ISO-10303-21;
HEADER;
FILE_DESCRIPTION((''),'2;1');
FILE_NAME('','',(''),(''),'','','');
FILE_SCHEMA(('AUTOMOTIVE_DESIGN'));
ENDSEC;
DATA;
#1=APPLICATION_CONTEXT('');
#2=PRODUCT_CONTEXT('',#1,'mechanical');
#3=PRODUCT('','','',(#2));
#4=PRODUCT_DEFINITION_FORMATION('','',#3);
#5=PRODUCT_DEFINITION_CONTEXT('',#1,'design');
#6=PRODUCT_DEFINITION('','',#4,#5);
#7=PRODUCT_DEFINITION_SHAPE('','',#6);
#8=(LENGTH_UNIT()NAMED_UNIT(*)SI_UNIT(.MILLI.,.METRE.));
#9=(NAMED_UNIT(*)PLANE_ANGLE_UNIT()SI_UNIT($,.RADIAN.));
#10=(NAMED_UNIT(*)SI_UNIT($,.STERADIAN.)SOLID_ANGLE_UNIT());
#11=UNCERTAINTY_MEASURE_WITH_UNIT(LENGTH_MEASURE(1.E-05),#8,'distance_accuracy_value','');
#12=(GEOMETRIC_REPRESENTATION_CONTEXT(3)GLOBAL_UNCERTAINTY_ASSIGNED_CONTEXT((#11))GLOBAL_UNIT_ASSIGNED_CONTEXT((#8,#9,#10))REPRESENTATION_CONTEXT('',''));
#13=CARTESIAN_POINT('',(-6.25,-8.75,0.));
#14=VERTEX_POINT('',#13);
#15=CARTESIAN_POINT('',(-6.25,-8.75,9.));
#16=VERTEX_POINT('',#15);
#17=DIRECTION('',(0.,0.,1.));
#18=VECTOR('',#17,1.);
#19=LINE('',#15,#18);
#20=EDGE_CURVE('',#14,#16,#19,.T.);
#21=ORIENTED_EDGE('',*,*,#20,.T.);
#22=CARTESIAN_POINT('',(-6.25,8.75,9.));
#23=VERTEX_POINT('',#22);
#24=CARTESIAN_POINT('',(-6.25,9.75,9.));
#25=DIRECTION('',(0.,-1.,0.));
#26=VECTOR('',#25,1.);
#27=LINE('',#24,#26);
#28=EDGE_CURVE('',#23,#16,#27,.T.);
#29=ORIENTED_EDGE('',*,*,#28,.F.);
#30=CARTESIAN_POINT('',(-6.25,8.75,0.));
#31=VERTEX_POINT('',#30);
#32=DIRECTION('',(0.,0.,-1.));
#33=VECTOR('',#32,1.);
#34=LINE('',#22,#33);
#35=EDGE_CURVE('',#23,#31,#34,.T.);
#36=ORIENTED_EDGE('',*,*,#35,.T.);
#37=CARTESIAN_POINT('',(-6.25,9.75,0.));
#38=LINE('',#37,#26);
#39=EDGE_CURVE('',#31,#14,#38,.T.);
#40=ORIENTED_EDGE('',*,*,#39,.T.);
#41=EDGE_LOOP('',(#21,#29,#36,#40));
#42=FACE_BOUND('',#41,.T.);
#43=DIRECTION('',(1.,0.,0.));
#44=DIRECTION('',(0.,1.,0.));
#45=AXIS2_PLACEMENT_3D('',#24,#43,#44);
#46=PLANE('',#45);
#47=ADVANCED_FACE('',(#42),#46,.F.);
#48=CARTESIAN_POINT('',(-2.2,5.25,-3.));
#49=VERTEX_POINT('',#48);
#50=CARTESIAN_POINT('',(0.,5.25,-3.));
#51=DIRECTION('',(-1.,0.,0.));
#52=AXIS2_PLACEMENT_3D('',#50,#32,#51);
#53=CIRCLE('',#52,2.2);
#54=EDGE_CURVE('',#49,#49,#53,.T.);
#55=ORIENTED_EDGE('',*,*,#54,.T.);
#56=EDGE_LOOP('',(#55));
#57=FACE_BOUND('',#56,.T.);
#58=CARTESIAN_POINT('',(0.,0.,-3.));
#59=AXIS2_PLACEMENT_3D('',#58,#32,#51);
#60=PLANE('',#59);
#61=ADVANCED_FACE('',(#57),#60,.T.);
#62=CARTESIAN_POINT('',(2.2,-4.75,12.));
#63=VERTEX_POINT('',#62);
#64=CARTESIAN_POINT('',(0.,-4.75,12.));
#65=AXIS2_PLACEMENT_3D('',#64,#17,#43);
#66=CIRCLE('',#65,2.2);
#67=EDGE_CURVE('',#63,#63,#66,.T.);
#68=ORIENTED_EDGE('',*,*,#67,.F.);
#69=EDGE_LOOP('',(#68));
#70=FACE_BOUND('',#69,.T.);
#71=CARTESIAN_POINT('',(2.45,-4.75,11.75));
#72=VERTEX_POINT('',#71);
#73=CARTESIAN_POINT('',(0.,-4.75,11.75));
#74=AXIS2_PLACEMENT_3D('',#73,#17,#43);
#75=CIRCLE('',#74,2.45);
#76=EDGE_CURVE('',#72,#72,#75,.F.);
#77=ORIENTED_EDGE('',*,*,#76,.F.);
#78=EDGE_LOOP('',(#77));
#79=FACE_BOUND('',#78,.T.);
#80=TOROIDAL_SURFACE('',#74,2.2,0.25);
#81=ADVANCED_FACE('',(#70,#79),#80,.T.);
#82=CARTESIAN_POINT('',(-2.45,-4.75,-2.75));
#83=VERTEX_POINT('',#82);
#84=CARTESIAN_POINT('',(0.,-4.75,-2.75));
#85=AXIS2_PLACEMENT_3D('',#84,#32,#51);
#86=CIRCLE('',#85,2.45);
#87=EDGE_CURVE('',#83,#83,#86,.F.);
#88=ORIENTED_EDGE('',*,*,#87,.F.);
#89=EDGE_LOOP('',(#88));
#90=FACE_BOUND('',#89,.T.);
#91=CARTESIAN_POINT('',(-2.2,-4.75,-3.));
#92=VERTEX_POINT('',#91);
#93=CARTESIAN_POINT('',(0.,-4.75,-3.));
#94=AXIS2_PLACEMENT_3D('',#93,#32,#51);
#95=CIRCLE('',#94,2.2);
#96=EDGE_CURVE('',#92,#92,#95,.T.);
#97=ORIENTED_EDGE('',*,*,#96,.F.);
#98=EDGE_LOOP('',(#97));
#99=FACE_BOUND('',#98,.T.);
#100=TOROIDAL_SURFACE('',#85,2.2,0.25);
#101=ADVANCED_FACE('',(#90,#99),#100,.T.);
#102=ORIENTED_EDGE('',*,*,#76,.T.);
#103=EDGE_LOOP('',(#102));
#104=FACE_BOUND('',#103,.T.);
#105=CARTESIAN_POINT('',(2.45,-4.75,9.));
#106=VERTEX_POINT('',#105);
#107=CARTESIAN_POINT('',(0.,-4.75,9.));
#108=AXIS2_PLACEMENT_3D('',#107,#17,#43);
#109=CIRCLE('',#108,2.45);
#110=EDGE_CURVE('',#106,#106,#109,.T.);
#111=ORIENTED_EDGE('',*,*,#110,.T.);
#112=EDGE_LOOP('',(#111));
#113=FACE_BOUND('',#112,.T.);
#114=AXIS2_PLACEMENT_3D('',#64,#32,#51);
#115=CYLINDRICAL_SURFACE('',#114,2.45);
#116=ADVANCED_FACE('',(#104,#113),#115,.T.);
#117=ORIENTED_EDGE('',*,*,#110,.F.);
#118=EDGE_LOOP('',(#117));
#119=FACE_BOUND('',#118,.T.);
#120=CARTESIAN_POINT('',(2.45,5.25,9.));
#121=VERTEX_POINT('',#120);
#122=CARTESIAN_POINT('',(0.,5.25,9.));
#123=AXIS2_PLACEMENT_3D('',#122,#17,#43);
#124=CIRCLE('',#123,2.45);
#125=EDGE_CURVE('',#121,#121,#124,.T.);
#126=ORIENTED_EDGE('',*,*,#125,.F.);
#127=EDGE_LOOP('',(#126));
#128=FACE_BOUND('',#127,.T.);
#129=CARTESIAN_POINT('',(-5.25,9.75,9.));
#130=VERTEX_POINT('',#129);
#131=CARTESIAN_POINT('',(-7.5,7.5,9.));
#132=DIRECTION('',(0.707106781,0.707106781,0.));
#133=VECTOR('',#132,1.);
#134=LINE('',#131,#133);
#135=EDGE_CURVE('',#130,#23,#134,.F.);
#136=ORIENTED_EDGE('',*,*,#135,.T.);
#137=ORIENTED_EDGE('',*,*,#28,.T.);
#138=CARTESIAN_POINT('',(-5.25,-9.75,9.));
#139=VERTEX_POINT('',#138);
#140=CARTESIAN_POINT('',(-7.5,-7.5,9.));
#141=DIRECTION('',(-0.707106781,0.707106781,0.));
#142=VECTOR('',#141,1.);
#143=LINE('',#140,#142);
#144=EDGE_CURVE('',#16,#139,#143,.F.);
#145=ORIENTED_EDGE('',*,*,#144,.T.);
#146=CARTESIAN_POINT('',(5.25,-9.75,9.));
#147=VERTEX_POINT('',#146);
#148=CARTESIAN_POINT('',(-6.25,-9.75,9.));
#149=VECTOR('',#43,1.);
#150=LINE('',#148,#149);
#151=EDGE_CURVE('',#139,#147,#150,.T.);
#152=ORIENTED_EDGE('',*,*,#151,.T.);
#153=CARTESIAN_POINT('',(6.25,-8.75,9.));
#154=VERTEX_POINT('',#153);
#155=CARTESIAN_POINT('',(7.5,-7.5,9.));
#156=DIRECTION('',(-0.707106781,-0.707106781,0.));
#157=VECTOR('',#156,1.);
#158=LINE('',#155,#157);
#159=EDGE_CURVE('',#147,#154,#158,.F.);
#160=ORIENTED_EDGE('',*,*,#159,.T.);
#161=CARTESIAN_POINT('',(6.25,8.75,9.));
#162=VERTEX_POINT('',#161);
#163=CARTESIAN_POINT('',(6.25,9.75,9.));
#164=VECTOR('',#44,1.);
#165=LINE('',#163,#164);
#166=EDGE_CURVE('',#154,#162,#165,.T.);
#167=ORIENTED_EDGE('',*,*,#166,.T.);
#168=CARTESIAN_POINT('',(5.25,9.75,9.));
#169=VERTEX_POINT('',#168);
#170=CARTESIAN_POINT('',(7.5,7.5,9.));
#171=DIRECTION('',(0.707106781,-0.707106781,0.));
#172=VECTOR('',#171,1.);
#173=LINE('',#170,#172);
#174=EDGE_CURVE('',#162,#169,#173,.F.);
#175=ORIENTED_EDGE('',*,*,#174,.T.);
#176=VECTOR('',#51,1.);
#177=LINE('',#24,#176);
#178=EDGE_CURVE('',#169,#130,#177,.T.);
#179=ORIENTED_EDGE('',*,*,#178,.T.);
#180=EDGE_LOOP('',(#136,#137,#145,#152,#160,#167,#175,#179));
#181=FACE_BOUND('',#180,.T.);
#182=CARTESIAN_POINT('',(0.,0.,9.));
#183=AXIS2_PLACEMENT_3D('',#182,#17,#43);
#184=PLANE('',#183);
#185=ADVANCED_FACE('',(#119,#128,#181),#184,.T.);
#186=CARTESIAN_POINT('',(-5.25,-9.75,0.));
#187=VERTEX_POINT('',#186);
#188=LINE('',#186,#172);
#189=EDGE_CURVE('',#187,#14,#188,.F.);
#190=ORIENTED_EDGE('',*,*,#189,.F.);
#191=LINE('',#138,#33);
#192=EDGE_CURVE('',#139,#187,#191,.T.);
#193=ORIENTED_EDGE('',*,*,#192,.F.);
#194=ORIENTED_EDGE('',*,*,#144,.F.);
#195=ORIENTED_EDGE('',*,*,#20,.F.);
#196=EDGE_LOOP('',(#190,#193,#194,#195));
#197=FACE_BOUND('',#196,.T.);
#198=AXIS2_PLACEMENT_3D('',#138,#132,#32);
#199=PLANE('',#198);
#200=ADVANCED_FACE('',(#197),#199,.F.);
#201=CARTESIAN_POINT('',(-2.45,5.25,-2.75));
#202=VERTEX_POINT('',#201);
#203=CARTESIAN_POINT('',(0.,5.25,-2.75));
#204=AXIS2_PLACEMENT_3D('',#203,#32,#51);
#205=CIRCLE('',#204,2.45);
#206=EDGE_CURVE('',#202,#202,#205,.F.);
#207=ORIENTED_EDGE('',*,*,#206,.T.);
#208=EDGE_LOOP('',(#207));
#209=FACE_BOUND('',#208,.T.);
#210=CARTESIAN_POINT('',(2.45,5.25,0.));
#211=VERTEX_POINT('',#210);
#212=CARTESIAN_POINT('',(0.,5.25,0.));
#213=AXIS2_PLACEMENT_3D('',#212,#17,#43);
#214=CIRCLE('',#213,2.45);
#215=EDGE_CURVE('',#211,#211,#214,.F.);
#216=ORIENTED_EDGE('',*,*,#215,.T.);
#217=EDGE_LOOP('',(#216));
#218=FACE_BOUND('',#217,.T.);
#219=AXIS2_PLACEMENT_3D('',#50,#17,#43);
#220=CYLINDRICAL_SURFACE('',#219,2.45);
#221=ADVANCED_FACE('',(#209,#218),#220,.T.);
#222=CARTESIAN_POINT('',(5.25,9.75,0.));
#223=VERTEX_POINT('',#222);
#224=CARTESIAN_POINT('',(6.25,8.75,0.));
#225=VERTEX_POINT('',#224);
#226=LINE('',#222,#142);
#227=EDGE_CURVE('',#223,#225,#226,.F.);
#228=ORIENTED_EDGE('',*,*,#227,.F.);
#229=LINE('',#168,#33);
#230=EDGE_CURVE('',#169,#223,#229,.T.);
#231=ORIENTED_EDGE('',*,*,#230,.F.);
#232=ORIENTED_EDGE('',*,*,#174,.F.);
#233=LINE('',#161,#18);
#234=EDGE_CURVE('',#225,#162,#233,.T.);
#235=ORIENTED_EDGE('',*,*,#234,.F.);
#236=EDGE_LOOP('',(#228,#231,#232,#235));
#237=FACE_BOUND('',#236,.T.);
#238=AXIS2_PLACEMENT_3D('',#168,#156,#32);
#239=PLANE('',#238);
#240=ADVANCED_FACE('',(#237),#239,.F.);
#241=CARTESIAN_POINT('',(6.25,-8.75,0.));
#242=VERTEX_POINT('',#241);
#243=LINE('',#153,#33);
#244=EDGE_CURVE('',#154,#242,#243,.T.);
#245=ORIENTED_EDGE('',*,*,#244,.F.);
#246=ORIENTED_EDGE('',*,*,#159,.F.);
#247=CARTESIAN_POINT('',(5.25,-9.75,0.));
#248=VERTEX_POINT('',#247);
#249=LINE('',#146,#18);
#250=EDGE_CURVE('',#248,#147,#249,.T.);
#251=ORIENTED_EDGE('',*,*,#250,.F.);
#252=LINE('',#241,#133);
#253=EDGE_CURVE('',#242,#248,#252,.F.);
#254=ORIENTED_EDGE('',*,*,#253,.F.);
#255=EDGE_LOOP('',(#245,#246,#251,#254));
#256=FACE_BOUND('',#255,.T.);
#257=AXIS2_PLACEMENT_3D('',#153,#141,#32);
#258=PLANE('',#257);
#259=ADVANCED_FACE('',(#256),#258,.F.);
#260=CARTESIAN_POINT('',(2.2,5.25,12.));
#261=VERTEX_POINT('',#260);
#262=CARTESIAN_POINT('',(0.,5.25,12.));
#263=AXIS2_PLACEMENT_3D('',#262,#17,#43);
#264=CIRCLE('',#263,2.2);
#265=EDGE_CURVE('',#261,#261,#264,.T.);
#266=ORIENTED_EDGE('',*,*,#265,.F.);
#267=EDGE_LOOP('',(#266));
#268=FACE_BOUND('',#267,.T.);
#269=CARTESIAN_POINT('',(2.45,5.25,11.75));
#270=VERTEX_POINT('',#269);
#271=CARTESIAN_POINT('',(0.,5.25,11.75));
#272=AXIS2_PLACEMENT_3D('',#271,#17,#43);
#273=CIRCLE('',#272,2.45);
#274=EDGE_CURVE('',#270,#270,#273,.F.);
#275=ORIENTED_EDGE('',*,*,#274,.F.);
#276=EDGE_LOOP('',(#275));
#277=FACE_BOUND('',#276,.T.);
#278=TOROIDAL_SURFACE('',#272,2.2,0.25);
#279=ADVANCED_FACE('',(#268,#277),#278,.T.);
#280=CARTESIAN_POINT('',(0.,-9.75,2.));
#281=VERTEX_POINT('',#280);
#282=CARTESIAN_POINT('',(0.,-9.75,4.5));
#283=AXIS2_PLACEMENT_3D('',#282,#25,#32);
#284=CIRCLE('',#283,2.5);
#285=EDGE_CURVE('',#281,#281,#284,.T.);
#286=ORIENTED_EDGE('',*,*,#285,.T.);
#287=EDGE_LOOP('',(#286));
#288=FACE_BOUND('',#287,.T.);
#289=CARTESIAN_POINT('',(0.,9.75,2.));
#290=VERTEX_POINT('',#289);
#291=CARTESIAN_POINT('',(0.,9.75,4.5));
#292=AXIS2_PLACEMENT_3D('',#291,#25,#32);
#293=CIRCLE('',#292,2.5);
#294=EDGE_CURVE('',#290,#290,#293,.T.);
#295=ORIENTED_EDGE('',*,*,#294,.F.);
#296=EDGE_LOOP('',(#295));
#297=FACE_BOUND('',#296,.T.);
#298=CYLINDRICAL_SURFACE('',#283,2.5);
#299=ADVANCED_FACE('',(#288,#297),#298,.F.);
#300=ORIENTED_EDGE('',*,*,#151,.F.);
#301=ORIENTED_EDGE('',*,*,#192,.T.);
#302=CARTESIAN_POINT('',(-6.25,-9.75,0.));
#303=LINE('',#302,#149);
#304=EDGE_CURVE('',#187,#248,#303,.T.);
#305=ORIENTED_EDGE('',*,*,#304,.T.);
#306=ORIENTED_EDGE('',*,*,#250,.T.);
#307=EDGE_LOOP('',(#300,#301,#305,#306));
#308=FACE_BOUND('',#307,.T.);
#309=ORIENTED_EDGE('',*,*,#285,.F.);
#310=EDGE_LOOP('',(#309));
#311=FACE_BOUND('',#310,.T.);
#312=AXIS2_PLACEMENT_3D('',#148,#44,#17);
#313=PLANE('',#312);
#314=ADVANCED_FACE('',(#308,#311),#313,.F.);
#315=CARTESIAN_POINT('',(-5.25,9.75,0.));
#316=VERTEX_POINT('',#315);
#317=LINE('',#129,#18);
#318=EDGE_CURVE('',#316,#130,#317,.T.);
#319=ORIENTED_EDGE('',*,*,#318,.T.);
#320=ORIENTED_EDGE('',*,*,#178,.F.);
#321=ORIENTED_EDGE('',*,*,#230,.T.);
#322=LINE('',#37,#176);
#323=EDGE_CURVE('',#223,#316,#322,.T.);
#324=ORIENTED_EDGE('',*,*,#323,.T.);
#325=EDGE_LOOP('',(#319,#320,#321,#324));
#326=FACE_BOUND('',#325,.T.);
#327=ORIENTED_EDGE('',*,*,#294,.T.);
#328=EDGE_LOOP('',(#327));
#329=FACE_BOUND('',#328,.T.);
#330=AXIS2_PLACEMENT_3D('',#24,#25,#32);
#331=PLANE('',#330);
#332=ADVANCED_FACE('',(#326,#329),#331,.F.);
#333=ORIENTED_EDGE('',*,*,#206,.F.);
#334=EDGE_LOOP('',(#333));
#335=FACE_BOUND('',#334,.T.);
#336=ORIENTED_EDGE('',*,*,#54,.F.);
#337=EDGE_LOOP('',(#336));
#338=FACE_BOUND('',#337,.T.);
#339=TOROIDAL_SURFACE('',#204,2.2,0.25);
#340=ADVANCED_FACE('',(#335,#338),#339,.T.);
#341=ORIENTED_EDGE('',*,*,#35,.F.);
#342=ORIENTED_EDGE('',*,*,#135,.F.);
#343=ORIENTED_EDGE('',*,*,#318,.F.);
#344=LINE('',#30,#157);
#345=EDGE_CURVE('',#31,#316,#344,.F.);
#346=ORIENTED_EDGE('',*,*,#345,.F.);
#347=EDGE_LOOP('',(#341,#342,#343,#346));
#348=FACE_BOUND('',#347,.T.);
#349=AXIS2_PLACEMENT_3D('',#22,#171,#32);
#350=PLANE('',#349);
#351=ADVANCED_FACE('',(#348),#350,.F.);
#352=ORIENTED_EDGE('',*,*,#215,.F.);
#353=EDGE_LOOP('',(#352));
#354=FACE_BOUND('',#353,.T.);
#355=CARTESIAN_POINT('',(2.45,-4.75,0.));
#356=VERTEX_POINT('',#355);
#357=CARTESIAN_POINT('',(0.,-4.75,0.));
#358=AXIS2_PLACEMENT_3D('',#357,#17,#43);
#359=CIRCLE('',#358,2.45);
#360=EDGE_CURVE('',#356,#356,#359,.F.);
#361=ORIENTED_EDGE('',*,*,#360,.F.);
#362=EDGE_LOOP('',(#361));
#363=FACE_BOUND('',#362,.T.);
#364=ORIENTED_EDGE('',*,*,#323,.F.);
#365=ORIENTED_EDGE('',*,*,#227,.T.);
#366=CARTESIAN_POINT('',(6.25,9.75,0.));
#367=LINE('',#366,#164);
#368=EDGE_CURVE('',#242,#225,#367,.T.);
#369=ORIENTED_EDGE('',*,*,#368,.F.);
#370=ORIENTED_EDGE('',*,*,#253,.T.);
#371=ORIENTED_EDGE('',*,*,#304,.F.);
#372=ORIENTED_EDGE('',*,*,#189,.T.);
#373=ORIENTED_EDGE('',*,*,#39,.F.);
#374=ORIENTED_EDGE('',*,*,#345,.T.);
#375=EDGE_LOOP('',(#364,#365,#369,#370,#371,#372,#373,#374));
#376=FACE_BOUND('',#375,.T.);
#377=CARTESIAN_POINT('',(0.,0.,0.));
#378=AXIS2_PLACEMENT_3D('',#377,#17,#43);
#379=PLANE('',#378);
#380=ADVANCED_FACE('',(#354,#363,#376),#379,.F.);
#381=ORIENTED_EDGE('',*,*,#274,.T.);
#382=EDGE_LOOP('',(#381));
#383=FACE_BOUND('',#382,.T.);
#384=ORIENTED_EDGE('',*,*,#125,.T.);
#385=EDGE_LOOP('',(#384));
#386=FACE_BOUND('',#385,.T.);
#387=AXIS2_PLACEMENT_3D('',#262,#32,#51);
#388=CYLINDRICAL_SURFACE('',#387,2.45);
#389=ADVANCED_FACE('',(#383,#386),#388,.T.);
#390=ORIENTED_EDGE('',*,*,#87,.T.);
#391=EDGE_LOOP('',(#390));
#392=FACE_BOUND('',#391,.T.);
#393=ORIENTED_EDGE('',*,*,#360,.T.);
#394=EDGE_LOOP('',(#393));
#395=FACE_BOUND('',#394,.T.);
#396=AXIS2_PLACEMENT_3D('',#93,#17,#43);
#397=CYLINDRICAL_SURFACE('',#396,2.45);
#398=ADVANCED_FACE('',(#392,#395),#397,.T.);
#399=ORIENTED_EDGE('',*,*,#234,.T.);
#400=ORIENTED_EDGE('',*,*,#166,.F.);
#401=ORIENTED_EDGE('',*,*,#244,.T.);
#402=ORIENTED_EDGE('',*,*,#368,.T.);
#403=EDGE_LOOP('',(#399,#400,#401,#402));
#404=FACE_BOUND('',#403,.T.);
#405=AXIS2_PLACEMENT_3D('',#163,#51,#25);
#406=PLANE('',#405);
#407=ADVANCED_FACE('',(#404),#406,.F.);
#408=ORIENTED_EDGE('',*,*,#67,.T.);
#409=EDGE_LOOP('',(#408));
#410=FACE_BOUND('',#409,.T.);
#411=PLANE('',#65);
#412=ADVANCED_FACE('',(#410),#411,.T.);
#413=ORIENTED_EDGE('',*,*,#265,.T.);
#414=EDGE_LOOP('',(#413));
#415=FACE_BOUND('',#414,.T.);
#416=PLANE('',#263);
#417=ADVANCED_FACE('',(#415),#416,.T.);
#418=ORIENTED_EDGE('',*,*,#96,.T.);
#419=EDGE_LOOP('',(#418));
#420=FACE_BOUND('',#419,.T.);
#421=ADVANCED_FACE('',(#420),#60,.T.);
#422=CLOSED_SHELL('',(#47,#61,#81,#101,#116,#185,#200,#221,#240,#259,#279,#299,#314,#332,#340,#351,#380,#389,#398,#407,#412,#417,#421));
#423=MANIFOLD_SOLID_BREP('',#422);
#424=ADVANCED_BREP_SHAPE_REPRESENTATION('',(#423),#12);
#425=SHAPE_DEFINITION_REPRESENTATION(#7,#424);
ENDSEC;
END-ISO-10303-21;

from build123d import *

# Parameters (mm, degrees)
SKETCH_1_W         = 12.5
SKETCH_1_H         = 19.5
EXTRUDE_1_DEPTH    = 9
SKETCH_2_R         = 2.45
EXTRUDE_2_DEPTH    = 3
EXTRUDE_START      = 3
SKETCH_4_R         = 2.45
EXTRUDE_3_DEPTH    = 3
FILLET_1_R         = 0.25
HOLE_WIZARD_M6_1_D = 5
CHAMFER_1_SIZE     = 1


with BuildPart() as part:
    # 스케치1 → 보스-돌출1 (new body)
    with BuildSketch(Plane.XY):
        Rectangle(SKETCH_1_W, SKETCH_1_H)
    extrude(amount=EXTRUDE_1_DEPTH)

    # 스케치2 → 보스-돌출2 (add)
    with BuildSketch(Plane.XY.offset(9)):
        with Locations((0, 5.25)):
            Circle(SKETCH_2_R)
        with Locations((0, -4.75)):
            Circle(SKETCH_2_R)
    extrude(amount=EXTRUDE_2_DEPTH)

    # 스케치4 → 보스-돌출3 (add)
    with BuildSketch(Plane(origin=(0, 0, 0), x_dir=(-1, 0, 0), z_dir=(0, 0, -1)).offset(EXTRUDE_START)):
        with Locations(Location((0, -4.75, 0), (0, 0, 180))):
            Circle(SKETCH_4_R)
        with Locations(Location((0, 5.25, 0), (0, 0, 180))):
            Circle(SKETCH_4_R)
    extrude(amount=-EXTRUDE_3_DEPTH)

    # 필렛1
    fillet_1_edges = [part.edges().sort_by_distance(p)[0] for p in [
        (-2.45, -4.75, 12),
        (-2.45, 5.25, 12),
        (-2.45, -4.75, -3),
        (-2.45, 5.25, -3),
    ]]
    fillet(fillet_1_edges, radius=FILLET_1_R)

    # M6 탭을 위한 탭 드릴1 (through all)
    with Locations(Plane(origin=(0, -9.75, 4.5), x_dir=(0, 0, -1), z_dir=(0, -1, 0))):
        with Locations((0, 0)):
            Hole(HOLE_WIZARD_M6_1_D / 2)

    # 모따기1
    chamfer_1_edges = [part.edges().sort_by_distance(p)[0] for p in [
        (6.25, -9.75, 4.5),
        (-6.25, -9.75, 4.5),
        (-6.25, 9.75, 4.5),
        (6.25, 9.75, 4.5),
    ]]
    chamfer(chamfer_1_edges, length=CHAMFER_1_SIZE)


solid = part.part
